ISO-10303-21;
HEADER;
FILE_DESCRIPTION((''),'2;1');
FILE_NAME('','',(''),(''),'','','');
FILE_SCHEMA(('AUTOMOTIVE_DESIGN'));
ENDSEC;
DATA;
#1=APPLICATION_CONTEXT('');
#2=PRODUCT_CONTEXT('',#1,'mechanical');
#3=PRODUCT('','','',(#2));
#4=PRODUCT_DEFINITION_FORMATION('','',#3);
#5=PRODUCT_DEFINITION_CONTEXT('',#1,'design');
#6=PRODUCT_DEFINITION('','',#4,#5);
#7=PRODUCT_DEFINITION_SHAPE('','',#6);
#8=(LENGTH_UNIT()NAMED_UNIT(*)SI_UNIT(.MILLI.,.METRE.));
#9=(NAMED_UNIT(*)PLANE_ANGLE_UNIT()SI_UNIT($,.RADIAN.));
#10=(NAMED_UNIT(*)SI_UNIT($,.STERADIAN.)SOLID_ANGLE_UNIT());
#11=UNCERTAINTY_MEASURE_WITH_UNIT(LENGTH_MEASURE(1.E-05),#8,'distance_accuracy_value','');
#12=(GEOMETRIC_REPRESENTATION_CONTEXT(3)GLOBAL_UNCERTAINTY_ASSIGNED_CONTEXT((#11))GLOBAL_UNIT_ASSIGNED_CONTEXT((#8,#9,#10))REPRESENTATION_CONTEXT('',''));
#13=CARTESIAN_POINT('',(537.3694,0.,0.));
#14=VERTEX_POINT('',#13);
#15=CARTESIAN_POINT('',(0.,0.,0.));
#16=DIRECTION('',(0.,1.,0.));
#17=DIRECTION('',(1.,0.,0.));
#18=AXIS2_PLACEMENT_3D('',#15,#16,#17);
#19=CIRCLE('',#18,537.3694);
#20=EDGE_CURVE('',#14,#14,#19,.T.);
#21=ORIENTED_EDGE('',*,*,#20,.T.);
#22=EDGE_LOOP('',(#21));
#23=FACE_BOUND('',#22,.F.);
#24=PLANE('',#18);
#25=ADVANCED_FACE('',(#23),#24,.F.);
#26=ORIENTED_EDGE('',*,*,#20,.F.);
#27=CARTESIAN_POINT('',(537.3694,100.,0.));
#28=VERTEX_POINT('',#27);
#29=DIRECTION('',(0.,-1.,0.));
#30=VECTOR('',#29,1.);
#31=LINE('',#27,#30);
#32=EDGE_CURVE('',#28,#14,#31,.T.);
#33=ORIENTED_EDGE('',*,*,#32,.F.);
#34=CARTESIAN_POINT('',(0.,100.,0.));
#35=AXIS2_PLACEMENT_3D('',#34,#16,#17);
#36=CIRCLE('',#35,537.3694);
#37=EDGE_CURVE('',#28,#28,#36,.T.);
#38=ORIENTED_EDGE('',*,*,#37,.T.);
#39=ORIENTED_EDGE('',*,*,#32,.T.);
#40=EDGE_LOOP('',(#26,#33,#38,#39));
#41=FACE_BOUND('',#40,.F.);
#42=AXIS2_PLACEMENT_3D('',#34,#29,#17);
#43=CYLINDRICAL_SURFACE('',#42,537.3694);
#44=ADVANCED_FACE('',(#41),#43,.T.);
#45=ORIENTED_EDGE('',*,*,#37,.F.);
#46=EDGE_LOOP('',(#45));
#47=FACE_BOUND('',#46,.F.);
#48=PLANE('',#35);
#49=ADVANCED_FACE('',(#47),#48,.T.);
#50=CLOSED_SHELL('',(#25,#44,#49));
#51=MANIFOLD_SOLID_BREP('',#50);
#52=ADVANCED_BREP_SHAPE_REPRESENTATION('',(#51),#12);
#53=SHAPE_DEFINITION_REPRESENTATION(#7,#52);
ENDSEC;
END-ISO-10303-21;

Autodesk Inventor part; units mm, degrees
ref_plane "YZ Plane" through (0, 0, 0) normal (1, 0, 0) x (0, 1, 0)
ref_plane "XZ Plane" through (0, 0, 0) normal (0, 1, 0) x (-1, 0, 0)
ref_plane "XY Plane" through (0, 0, 0) normal (0, 0, 1) x (1, 0, 0)
sketch "Sketch1" plane through (0, 0, 0) normal (0, 0, 1) x (1, 0, 0)
  line L0 (-56.9554, 0) -> (341.7327, 0) construction
  line L1 (0, -20) -> (0, 120) construction
  line L2 (537.3694, 0) -> (0, 0)
  line L3 (0, 0) -> (0, 100)
  line L4 (0, 100) -> (537.3694, 100)
  line L5 (537.3694, 100) -> (537.3694, 0)
  point P0 (0, 0)
  dimension "d0" = 537.3694
  dimension "d1" = 100
revolve "Revolution1" add sketch "Sketch1" angle 360 about axis through (0, 0, 0) along (0, 1, 0)
equation "\"d0\" = 0.5 * BaseDia"
equation "\"d1\" = Height"
equation "\"BaseDia\" = 1074.7388"
equation "\"Height\" = 100"
properties part number "Cylinder" material "Water"
